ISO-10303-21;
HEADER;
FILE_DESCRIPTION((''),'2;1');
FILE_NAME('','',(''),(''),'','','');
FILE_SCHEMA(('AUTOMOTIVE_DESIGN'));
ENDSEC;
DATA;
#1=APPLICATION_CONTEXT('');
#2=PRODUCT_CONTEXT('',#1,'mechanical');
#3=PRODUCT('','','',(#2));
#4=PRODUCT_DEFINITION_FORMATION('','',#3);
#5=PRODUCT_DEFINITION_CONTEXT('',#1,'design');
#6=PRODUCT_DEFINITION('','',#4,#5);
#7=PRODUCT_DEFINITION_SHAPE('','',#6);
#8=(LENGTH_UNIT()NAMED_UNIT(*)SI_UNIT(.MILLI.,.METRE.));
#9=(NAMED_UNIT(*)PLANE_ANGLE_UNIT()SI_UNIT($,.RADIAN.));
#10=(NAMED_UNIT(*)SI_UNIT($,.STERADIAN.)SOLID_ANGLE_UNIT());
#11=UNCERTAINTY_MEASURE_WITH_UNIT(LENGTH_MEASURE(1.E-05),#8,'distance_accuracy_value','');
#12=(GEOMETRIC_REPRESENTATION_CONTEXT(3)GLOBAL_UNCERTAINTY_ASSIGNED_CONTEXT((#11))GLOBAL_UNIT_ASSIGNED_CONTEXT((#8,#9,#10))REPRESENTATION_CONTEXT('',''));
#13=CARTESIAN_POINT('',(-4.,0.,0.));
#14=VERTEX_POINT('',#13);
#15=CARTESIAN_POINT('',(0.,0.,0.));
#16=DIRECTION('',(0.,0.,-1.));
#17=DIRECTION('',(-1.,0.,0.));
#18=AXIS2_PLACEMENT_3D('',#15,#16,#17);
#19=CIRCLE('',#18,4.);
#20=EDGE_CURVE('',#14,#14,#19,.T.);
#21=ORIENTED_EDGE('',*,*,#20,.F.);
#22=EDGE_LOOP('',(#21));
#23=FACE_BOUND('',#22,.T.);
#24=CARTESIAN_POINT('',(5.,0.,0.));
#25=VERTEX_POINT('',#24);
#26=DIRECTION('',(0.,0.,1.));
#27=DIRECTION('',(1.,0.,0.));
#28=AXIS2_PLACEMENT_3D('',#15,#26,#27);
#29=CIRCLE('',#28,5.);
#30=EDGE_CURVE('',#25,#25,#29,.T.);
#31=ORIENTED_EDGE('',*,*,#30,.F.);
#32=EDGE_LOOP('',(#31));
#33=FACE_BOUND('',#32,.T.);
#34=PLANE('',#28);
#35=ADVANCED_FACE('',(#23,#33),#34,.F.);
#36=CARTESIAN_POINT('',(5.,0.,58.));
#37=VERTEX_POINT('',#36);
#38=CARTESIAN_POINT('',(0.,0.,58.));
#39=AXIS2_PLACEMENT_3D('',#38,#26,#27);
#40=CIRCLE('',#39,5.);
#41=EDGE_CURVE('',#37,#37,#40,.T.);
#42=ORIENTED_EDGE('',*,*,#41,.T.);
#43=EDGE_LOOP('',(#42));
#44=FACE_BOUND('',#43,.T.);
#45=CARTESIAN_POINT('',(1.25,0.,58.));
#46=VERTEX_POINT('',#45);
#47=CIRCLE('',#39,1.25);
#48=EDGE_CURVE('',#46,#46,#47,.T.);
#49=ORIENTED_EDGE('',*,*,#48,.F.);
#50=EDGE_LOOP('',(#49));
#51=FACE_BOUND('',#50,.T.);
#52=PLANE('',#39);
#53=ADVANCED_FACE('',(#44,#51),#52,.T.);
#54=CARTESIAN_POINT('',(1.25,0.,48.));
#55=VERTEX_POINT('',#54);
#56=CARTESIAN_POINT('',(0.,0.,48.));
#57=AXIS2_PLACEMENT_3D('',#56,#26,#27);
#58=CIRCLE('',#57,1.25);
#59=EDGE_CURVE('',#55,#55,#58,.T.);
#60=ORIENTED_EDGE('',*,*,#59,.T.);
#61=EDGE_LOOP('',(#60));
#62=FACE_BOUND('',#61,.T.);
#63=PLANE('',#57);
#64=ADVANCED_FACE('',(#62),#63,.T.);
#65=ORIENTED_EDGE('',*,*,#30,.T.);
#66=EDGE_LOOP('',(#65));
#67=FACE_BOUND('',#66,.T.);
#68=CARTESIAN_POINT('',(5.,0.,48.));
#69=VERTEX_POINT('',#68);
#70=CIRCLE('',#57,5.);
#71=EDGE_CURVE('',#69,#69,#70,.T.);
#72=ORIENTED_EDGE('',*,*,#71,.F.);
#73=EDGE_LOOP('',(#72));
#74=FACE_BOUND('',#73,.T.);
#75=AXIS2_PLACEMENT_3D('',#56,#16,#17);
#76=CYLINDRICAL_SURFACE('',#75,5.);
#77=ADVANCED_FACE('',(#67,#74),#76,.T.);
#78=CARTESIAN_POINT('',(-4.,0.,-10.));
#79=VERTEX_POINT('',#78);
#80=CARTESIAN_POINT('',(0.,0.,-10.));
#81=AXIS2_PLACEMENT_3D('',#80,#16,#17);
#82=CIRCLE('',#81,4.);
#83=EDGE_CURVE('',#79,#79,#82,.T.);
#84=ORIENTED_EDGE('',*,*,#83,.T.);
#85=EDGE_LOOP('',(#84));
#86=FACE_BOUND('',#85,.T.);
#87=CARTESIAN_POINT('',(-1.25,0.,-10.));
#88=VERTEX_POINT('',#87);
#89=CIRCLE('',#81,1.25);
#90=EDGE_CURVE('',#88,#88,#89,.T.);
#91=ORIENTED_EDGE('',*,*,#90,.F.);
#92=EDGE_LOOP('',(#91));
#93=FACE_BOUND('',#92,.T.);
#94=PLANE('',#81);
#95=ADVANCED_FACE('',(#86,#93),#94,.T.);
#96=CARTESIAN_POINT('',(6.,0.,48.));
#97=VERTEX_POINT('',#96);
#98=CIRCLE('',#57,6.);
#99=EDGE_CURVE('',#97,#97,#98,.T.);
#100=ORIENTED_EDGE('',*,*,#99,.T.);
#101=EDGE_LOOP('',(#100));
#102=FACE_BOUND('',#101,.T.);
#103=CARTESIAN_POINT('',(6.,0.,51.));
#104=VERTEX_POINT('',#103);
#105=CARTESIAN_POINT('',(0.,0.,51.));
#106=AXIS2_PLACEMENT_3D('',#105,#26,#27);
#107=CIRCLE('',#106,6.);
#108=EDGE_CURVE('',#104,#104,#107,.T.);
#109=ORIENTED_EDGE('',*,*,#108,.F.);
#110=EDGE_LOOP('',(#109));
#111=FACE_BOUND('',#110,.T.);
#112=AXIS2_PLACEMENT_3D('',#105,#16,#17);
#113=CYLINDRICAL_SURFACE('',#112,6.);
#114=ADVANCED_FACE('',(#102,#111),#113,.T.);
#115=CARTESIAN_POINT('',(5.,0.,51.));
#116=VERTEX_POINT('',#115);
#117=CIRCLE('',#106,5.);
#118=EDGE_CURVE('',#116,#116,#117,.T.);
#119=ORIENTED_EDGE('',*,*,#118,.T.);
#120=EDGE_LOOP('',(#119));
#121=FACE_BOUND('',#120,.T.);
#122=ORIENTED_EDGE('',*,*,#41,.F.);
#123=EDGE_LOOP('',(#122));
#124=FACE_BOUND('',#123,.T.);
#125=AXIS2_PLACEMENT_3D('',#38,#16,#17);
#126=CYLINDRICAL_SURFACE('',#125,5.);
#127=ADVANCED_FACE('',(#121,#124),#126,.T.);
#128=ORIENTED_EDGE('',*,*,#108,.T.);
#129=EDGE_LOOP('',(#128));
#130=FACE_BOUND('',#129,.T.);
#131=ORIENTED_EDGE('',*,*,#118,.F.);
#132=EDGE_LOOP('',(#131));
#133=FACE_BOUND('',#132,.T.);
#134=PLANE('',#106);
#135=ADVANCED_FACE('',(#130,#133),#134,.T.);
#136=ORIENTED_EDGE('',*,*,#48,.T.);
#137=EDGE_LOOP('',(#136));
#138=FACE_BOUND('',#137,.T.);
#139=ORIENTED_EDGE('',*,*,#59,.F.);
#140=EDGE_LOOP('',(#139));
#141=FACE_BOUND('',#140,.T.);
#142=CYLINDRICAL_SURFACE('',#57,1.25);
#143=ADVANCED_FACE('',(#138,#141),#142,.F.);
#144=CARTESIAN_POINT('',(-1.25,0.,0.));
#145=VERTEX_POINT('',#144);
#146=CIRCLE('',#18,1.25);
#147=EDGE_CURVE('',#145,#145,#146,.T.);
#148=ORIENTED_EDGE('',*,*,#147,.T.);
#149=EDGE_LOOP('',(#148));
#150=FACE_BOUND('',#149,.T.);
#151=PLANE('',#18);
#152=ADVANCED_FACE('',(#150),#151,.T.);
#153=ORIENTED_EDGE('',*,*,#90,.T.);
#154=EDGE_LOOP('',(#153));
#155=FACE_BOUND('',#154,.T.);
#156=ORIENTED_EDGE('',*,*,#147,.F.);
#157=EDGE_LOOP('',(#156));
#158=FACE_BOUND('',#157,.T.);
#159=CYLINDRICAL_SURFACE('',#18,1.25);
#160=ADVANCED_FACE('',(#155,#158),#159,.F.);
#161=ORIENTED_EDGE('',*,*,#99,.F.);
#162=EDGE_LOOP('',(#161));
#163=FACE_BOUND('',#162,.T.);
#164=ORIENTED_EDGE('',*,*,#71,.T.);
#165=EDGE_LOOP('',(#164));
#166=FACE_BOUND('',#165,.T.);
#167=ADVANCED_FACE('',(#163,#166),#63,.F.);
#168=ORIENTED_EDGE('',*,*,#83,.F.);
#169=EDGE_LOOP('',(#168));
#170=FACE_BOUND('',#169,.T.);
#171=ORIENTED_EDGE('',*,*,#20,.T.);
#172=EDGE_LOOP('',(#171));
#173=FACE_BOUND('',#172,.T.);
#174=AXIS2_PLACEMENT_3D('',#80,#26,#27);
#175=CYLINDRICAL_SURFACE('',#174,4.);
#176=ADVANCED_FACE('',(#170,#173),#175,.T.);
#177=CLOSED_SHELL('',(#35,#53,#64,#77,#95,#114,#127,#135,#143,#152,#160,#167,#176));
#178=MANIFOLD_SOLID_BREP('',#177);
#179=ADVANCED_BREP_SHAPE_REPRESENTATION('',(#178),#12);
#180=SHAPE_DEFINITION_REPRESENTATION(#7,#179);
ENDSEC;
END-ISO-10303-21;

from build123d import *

# Parameters (mm, degrees)
SKETCH_1_R          = 5
EXTRUDE_1_DEPTH     = 48
SKETCH_2_R          = 6
EXTRUDE_2_DEPTH     = 3
SKETCH_3_R          = 5
EXTRUDE_3_DEPTH     = 7
SKETCH_5_R          = 4
EXTRUDE_4_DEPTH     = 10
SKETCH_6_R          = 1.25
CUT_EXTRUDE_1_DEPTH = 10
CUT_EXTRUDE_START   = -10
SKETCH_7_R          = 1.25
CUT_EXTRUDE_2_DEPTH = 10


with BuildPart() as part:
    # 草图1 → 凸台-拉伸1 (new body)
    with BuildSketch(Plane.XY):
        Circle(SKETCH_1_R)
    extrude(amount=EXTRUDE_1_DEPTH)

    # 草图2 → 凸台-拉伸2 (add)
    with BuildSketch(Plane.XY.offset(48)):
        Circle(SKETCH_2_R)
    extrude(amount=EXTRUDE_2_DEPTH)

    # 草图3 → 凸台-拉伸3 (add)
    with BuildSketch(Plane.XY.offset(51)):
        Circle(SKETCH_3_R)
    extrude(amount=EXTRUDE_3_DEPTH)

    # 草图5 → 凸台-拉伸4 (add)
    with BuildSketch(Plane(origin=(0, 0, 0), x_dir=(-1, 0, 0), z_dir=(0, 0, -1))):
        Circle(SKETCH_5_R)
    extrude(amount=EXTRUDE_4_DEPTH)

    # 草图6 → 切除-拉伸1 (cut)
    with BuildSketch(Plane.XY.offset(58)):
        Circle(SKETCH_6_R)
    extrude(amount=-CUT_EXTRUDE_1_DEPTH, mode=Mode.SUBTRACT)

    # 草图7 → 切除-拉伸2 (cut)
    with BuildSketch(Plane(origin=(0, 0, -10), x_dir=(-1, 0, 0), z_dir=(0, 0, -1)).offset(CUT_EXTRUDE_START)):
        with Locations(Location((0, 0, 0), (0, 0, 180))):
            Circle(SKETCH_7_R)
    extrude(amount=CUT_EXTRUDE_2_DEPTH, mode=Mode.SUBTRACT)


solid = part.part
